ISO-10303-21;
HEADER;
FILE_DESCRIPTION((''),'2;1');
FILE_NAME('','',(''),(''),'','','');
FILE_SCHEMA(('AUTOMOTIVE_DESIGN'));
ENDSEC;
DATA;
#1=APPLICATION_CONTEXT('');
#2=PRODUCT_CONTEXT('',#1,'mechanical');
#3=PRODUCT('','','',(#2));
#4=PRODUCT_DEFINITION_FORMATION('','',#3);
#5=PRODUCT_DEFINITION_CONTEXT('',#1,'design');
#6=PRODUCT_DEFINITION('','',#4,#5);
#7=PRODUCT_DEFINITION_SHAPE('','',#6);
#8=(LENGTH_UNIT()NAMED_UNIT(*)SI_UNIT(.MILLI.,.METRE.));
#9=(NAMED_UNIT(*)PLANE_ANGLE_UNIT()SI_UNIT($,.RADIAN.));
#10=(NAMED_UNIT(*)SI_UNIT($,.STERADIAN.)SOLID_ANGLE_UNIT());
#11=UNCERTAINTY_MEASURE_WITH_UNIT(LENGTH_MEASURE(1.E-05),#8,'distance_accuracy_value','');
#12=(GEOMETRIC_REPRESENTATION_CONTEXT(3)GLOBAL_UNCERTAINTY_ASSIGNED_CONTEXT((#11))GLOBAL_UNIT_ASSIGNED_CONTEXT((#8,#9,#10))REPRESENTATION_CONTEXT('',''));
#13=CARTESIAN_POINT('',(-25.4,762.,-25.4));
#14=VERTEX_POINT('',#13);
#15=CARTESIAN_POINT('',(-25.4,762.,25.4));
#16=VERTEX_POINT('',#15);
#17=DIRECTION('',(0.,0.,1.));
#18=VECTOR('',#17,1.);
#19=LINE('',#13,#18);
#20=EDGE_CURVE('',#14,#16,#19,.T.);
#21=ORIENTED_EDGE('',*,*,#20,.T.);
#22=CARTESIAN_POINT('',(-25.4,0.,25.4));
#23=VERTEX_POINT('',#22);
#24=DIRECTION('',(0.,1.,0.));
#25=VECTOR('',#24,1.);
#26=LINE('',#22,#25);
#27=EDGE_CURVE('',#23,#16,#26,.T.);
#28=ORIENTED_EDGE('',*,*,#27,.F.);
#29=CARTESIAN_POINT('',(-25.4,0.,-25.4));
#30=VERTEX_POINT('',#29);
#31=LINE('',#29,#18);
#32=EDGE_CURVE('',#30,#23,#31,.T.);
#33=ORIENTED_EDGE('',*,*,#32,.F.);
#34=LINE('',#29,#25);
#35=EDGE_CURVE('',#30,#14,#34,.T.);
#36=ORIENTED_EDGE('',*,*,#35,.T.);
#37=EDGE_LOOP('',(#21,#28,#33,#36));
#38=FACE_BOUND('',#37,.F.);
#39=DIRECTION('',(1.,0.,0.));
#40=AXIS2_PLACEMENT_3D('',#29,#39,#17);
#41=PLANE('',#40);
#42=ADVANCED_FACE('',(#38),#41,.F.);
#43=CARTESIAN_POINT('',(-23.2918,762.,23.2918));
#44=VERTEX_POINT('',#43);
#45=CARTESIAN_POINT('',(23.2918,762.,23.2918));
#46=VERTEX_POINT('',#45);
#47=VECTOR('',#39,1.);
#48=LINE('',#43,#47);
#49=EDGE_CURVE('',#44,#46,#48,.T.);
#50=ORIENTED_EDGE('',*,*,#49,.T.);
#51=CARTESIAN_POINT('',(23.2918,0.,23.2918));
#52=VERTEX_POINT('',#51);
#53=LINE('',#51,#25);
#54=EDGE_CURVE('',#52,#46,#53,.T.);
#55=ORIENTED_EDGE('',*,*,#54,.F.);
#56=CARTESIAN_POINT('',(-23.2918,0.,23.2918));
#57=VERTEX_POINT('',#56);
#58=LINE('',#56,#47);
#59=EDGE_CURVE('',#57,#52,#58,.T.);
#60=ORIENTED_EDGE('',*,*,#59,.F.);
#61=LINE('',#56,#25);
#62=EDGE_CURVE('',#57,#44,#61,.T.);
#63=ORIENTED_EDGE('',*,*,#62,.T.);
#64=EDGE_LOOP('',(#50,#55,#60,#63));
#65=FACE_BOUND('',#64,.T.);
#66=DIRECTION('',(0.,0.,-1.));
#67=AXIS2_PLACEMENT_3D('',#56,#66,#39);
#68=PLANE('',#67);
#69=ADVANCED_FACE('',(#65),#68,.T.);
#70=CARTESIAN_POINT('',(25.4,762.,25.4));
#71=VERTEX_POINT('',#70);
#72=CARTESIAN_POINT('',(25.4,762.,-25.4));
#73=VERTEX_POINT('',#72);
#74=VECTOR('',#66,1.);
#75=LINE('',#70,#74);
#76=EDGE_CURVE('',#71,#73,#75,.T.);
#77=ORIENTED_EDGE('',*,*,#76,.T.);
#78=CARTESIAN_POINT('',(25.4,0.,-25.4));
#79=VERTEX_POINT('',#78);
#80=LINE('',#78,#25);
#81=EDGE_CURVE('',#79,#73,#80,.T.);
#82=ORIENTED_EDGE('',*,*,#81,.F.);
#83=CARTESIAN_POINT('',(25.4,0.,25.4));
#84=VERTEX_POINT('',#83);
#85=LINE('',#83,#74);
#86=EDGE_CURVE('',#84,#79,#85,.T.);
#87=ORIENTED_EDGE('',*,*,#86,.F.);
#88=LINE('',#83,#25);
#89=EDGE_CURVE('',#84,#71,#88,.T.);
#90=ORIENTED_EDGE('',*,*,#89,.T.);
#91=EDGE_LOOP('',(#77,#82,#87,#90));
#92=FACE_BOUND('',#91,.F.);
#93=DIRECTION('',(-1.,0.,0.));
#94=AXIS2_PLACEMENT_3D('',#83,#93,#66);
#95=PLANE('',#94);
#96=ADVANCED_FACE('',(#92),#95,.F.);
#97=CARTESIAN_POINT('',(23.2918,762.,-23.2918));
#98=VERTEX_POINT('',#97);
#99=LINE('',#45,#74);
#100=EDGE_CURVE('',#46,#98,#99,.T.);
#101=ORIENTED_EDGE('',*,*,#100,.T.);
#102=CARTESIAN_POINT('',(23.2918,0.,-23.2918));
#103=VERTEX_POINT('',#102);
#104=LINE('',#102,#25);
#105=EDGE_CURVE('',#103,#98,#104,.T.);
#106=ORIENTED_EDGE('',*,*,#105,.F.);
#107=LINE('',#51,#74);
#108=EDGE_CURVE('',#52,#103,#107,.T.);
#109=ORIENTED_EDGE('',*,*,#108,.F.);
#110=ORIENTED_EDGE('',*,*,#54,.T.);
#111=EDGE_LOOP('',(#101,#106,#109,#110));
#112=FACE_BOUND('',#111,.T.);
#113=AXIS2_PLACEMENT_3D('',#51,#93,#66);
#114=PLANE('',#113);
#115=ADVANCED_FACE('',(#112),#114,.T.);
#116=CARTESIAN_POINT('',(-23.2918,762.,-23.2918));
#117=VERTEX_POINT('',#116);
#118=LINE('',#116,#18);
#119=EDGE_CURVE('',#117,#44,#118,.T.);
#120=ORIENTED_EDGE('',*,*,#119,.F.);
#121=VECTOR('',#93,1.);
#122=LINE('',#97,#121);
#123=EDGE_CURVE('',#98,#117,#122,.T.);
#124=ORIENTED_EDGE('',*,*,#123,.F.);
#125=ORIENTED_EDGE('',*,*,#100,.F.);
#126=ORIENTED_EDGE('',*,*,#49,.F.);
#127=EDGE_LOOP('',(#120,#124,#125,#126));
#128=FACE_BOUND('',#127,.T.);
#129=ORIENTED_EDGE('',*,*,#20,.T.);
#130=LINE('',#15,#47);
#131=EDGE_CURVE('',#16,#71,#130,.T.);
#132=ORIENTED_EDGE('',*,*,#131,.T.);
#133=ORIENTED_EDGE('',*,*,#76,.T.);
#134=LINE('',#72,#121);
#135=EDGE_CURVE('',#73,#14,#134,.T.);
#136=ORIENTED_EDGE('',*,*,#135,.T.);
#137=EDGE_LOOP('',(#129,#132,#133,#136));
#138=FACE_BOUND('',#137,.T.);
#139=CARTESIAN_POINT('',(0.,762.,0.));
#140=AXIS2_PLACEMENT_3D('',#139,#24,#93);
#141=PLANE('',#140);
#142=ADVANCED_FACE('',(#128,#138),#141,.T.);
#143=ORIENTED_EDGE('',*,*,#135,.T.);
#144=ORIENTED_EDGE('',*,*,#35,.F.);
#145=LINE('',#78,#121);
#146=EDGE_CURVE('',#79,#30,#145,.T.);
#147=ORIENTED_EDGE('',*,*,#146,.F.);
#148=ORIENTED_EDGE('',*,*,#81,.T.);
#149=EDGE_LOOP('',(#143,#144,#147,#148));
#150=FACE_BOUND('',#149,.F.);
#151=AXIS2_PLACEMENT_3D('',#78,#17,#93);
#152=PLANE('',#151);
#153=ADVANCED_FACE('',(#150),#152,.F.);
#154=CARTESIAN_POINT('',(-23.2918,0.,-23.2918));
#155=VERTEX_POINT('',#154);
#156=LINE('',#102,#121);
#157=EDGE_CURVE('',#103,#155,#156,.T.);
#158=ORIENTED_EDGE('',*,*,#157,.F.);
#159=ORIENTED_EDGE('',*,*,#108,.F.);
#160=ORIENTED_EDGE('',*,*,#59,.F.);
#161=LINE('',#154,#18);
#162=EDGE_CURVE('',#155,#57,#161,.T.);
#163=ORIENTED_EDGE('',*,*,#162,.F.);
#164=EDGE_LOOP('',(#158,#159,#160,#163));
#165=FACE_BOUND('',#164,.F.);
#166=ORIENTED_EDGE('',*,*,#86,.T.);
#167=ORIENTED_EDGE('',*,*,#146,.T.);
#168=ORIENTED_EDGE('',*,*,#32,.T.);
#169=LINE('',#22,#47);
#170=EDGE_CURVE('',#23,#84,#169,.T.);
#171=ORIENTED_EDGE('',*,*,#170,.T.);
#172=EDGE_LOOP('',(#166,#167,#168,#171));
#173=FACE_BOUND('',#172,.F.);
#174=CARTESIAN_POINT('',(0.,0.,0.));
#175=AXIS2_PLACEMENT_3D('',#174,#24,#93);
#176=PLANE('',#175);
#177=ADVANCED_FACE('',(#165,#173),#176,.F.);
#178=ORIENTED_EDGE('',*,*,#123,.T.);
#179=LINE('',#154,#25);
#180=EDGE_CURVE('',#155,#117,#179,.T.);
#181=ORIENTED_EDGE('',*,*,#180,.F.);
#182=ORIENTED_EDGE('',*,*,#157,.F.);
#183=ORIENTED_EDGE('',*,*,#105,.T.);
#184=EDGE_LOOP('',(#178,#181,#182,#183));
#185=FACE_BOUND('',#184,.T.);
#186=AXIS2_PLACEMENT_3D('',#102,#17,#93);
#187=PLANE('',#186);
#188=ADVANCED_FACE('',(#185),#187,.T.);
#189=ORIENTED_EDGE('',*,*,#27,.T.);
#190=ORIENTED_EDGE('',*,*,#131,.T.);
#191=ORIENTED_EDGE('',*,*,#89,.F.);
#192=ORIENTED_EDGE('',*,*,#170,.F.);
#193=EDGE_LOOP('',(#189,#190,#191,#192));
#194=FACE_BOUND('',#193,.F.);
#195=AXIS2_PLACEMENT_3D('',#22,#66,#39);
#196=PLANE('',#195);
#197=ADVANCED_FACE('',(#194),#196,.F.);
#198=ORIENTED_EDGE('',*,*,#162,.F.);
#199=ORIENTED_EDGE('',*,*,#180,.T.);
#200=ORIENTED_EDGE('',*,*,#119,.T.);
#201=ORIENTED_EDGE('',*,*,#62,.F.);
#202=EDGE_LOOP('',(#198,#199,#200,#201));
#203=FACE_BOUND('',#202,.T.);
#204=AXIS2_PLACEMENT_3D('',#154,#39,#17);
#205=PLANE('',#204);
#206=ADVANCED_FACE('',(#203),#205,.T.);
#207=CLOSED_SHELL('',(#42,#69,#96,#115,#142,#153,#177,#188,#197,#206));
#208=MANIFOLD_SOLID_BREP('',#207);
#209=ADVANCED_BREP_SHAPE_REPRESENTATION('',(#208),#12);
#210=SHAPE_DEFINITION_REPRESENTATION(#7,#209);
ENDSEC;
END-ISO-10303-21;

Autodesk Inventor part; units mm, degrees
ref_plane "YZ Plane" through (0, 0, 0) normal (1, 0, 0) x (0, 1, 0)
ref_plane "XZ Plane" through (0, 0, 0) normal (0, 1, 0) x (-1, 0, 0)
ref_plane "XY Plane" through (0, 0, 0) normal (0, 0, 1) x (1, 0, 0)
sketch "Sketch1" plane through (0, 0, 0) normal (0, 1, 0) x (-1, 0, 0)
  line L0 (25.4, 25.4) -> (-25.4, 25.4)
  line L1 (-25.4, 25.4) -> (-25.4, -25.4)
  line L2 (-25.4, -25.4) -> (25.4, -25.4)
  line L3 (25.4, -25.4) -> (25.4, 25.4)
  line L4 (23.2918, 23.2918) -> (-23.2918, 23.2918)
  line L5 (-23.2918, 23.2918) -> (-23.2918, -23.2918)
  line L6 (-23.2918, -23.2918) -> (23.2918, -23.2918)
  line L7 (23.2918, -23.2918) -> (23.2918, 23.2918)
  point P0 (0, 0)
  point P1 (25.4, 0)
  point P2 (0, -23.2918)
  dimension "d0" = 50.8
  dimension "d1" = 50.8
  dimension "d2" = 2.1082
extrude "Extrusion1" add sketch "Sketch1" along normal blind 762
properties part number "sqare vertical"
